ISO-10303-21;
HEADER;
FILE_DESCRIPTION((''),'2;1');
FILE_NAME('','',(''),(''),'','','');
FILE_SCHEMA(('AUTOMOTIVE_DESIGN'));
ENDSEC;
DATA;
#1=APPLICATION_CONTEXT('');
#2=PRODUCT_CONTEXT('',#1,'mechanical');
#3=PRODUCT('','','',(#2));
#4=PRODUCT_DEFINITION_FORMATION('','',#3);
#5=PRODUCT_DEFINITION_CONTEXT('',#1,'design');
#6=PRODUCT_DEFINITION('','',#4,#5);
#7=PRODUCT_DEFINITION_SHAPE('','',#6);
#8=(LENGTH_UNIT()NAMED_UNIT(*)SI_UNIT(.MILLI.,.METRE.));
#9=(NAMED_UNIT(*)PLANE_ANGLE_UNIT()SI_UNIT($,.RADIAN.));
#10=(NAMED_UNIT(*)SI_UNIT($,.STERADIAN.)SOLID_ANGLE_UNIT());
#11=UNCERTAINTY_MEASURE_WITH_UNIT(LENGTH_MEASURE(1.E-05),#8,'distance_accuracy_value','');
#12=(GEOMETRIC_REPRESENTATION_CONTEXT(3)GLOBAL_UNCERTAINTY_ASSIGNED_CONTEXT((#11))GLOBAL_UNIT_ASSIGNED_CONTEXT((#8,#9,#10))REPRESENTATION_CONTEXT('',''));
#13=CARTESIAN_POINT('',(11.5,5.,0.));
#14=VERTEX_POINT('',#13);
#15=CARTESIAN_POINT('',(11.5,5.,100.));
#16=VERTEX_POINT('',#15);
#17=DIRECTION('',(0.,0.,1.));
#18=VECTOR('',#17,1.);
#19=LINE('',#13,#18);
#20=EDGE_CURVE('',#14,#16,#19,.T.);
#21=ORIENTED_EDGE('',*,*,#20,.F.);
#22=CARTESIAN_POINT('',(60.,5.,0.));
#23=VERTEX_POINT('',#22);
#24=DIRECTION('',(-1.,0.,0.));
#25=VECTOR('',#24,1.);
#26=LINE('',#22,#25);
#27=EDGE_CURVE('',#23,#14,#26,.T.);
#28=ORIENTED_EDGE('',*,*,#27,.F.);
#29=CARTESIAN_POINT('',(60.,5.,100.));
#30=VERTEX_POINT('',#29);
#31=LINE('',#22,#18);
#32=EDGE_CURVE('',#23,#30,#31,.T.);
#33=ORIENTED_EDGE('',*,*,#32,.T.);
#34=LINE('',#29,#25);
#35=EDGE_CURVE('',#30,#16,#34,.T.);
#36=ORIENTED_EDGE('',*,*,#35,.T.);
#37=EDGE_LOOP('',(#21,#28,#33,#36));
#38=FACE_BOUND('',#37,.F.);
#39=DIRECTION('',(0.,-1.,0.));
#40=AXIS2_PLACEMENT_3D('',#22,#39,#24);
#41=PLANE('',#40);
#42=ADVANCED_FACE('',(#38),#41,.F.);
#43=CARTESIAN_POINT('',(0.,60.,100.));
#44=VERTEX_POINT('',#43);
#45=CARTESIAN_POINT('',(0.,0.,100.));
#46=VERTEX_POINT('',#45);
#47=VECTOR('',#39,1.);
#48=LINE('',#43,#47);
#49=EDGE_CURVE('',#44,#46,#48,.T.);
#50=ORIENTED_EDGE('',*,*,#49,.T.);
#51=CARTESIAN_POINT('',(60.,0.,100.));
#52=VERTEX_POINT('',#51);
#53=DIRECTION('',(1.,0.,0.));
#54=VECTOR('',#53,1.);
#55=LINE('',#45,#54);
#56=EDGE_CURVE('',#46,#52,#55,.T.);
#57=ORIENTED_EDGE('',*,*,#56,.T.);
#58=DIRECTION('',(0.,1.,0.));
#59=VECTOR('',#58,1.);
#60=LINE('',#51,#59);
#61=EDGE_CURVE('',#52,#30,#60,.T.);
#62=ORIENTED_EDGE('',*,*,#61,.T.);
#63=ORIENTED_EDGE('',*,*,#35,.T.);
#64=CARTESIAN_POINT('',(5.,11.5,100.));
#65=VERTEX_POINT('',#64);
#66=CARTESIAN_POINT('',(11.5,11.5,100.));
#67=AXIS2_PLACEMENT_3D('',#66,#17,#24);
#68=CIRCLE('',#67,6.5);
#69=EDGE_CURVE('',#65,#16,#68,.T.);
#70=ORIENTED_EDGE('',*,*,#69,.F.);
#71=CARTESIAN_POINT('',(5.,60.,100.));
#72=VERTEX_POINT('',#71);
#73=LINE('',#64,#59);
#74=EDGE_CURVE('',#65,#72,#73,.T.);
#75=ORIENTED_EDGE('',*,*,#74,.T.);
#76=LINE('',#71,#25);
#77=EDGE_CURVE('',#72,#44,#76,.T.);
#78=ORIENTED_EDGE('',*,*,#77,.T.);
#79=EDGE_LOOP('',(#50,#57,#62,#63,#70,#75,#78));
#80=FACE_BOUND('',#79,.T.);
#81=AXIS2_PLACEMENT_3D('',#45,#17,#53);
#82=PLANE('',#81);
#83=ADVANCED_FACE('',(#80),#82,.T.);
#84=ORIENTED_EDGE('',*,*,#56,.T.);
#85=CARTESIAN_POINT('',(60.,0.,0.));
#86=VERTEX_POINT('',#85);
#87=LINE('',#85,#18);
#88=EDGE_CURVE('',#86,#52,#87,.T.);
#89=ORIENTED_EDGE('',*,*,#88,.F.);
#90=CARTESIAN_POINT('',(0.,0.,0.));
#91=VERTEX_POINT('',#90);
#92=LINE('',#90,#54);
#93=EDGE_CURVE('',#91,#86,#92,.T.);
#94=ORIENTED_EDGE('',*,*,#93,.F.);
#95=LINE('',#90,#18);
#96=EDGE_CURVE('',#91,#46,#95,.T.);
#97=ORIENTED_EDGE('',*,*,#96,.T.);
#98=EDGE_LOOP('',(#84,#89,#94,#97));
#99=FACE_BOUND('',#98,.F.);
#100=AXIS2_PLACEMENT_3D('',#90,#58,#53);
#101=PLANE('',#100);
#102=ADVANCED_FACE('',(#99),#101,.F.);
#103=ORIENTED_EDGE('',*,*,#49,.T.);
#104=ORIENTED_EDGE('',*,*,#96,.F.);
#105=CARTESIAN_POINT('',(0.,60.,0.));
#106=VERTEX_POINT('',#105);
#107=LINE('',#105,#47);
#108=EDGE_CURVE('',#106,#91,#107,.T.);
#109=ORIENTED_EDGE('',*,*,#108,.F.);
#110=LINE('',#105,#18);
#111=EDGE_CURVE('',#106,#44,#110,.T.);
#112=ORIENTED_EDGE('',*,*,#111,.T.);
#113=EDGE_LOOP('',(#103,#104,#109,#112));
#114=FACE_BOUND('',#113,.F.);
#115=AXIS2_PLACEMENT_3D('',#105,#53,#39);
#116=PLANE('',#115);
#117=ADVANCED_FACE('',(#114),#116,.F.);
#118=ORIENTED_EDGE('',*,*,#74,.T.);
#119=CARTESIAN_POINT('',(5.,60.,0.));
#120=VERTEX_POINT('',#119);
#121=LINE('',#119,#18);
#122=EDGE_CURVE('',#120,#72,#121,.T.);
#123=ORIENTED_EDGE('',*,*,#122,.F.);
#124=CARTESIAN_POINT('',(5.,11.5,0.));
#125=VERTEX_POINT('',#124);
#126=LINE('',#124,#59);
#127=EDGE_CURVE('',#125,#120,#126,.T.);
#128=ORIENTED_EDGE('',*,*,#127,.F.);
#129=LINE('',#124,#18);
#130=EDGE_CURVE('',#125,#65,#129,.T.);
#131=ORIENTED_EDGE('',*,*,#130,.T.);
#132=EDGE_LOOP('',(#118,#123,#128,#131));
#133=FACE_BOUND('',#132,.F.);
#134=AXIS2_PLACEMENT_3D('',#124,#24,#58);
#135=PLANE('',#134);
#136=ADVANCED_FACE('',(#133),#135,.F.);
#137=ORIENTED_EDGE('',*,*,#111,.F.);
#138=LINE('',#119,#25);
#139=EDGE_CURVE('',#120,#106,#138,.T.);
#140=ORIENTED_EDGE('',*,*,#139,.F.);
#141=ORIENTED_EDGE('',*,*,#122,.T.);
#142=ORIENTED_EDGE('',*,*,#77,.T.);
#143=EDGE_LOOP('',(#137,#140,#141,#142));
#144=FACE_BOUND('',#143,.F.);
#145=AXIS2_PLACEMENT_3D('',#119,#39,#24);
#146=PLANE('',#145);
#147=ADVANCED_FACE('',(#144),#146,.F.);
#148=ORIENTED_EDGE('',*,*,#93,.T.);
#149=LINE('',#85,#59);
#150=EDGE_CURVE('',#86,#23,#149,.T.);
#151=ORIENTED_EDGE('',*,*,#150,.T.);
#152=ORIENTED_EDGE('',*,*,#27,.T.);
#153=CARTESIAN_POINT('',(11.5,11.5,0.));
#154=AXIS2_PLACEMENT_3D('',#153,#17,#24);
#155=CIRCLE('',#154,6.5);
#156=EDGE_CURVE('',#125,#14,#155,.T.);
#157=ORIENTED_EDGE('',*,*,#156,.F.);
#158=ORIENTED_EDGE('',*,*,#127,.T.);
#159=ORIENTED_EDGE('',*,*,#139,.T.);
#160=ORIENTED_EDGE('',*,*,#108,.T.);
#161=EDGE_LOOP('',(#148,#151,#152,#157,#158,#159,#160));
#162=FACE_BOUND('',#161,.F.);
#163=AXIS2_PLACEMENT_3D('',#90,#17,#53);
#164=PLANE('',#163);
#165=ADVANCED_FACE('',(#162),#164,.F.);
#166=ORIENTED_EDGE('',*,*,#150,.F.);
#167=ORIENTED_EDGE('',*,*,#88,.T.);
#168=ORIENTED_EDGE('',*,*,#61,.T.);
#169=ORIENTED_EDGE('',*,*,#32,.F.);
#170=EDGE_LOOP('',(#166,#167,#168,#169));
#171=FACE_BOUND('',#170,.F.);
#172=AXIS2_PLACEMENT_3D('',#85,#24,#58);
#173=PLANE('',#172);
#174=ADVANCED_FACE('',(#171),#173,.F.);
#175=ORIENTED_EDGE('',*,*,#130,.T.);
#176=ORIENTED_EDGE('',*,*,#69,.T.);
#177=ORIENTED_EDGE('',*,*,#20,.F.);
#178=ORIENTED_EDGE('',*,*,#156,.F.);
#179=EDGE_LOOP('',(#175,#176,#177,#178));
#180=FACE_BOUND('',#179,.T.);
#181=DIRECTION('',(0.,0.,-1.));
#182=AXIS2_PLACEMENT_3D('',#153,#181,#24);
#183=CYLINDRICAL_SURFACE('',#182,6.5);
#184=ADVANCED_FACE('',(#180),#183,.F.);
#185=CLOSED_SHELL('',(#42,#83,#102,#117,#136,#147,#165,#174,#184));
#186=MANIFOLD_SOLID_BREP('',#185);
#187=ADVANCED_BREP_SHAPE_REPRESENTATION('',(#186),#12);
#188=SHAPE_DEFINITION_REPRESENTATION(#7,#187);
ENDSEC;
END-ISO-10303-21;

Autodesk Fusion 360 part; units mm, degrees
sketch "スケッチ1" plane through (0, 0, 0) normal (0, 0, 1) x (1, 0, 0)
  line L0 (0, 60) -> (0, 0)
  line L1 (60, 0) -> (60, 5)
  line L2 (0, 0) -> (60, 0)
  line L3 (60, 5) -> (11.5, 5)
  line L4 (5, 11.5) -> (5, 60)
  arc A0 (5, 11.5) -> (11.5, 5) centre (11.5, 11.5) ccw
  line L5 (5, 60) -> (0, 60)
extrude "押し出し1" add sketch "スケッチ1" along normal blind 100
